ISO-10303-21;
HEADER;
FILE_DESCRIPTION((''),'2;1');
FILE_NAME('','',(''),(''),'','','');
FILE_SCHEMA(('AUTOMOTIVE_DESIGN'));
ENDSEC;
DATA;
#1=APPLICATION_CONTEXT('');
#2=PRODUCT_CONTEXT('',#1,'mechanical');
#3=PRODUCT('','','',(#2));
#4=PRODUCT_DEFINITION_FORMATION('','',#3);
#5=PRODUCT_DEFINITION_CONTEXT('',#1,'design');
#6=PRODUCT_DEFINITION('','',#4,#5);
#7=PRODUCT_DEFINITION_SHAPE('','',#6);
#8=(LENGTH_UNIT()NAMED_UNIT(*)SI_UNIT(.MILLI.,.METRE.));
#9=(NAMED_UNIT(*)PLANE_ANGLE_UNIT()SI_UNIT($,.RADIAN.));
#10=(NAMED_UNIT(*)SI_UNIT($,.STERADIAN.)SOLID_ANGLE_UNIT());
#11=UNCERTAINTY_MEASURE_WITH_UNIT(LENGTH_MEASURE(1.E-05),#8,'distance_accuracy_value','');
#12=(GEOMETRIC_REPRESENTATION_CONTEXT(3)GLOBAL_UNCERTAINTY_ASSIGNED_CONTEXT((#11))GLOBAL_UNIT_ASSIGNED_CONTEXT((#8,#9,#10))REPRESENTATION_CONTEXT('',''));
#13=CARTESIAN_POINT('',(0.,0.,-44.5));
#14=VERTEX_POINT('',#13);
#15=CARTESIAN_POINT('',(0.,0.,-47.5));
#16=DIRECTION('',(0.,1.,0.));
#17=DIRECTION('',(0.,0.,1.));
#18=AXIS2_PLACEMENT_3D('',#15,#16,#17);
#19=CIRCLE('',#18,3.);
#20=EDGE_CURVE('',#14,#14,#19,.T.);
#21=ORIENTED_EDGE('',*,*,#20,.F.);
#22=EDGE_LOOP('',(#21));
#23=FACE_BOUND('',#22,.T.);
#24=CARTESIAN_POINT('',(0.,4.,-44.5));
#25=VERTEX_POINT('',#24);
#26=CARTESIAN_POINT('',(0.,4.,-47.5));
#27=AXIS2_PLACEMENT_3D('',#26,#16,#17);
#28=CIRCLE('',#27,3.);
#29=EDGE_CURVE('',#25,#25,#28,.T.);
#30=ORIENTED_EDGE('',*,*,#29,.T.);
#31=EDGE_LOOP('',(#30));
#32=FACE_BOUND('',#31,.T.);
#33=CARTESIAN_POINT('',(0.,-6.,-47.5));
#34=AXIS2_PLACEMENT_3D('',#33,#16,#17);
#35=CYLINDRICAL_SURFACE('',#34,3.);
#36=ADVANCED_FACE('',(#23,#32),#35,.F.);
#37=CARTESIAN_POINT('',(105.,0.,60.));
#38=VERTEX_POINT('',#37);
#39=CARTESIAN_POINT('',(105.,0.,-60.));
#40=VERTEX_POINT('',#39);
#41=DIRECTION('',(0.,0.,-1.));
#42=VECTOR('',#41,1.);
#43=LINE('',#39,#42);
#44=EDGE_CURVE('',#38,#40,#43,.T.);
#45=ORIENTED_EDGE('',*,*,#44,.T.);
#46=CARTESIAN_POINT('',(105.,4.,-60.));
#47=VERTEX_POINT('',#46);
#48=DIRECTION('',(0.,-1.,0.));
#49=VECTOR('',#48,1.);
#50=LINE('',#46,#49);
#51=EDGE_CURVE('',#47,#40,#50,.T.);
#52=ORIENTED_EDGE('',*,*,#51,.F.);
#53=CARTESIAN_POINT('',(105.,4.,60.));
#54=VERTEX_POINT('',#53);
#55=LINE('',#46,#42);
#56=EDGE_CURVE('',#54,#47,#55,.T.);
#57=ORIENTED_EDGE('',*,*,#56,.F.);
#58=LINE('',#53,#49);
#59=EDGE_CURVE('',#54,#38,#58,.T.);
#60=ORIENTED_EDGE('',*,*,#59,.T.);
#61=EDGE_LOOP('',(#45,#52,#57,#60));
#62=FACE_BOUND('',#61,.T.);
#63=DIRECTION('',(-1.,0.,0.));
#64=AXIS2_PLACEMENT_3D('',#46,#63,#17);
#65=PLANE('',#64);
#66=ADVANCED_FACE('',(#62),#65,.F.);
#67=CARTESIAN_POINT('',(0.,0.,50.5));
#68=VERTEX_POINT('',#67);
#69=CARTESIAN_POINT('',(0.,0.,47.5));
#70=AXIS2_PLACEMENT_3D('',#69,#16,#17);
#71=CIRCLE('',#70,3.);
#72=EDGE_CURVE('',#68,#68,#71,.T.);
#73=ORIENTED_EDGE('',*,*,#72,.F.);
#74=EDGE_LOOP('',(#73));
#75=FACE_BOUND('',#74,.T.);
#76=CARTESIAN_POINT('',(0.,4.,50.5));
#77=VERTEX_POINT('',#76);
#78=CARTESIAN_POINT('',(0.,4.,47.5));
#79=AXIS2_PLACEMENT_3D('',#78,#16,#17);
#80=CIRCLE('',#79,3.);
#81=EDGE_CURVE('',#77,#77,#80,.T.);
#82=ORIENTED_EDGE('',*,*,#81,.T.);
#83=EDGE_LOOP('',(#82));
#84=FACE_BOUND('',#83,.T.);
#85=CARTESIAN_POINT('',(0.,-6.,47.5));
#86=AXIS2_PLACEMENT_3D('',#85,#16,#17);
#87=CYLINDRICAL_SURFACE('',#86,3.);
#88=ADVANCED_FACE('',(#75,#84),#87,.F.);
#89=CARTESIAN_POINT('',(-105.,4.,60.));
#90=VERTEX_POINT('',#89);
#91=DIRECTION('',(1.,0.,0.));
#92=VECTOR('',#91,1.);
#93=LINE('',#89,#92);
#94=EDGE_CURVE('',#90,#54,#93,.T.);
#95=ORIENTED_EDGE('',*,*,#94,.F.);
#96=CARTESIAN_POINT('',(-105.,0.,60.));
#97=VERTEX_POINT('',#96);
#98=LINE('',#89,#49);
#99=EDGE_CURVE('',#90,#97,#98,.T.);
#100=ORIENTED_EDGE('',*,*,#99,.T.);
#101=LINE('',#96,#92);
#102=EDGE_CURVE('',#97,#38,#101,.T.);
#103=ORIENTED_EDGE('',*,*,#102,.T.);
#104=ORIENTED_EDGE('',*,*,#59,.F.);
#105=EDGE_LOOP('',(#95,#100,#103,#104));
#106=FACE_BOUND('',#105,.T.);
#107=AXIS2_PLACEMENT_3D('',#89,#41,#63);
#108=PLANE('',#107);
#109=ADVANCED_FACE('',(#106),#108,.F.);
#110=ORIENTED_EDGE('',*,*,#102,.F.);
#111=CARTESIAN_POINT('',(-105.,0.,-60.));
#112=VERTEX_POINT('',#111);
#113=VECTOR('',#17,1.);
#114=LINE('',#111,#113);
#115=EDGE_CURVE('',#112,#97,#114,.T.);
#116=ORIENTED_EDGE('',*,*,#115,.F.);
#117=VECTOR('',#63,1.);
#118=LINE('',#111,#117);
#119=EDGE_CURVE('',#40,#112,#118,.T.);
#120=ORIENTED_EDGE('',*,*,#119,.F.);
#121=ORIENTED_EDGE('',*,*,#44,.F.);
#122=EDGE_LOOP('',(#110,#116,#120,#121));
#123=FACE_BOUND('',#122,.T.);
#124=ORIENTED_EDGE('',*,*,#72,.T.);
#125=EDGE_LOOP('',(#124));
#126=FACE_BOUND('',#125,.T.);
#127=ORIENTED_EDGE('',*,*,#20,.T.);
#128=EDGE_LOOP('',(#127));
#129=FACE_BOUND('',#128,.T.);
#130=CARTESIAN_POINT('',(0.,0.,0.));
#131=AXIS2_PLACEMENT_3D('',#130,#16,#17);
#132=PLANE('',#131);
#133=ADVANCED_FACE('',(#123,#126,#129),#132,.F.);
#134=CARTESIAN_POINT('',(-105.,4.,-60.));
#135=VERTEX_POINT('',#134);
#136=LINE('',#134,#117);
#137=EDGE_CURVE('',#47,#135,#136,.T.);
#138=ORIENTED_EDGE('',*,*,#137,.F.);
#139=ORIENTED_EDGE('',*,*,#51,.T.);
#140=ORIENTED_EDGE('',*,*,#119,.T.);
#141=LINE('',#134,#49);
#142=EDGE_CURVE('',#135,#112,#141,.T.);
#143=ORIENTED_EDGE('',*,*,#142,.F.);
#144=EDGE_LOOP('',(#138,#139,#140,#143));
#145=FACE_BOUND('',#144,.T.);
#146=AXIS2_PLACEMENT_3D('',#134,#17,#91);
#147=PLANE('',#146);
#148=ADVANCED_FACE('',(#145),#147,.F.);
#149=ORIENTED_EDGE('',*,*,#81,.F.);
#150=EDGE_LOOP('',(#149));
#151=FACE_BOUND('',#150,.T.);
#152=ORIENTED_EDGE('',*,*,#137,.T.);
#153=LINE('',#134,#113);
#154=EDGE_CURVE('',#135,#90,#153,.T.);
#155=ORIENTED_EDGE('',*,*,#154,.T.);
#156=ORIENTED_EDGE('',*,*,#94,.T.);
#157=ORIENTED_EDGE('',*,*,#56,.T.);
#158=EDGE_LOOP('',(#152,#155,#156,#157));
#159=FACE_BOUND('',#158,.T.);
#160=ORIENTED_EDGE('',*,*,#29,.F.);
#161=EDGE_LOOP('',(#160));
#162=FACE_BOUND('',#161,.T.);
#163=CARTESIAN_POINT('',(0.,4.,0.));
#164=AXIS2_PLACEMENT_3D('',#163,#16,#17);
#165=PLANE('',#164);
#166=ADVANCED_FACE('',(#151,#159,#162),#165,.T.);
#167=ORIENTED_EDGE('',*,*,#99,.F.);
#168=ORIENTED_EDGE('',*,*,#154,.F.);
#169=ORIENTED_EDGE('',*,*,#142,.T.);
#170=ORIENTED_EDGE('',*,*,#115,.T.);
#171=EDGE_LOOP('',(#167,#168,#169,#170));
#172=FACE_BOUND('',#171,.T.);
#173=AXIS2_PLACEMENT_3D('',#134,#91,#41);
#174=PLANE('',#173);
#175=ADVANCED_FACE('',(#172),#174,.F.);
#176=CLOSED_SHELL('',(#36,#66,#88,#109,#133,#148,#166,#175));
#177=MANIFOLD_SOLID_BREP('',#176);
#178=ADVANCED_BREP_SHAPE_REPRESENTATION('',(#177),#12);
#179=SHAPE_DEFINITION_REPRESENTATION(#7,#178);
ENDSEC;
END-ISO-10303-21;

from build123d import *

# Parameters (mm, degrees)
SKETCH1_W           = 210
SKETCH1_H           = 120
BOSS_EXTRUDE3_DEPTH = 4
SKETCH5_R           = 3
CUT_EXTRUDE1_DEPTH  = 10


with BuildPart() as part:
    # Sketch1 → Boss-Extrude3 (new body)
    with BuildSketch(Plane(origin=(0, 0, 0), x_dir=(1, 0, 0), z_dir=(0, 1, 0))):
        Rectangle(SKETCH1_W, SKETCH1_H)
    extrude(amount=BOSS_EXTRUDE3_DEPTH)

    # Sketch5 → Cut-Extrude1 (cut)
    with BuildSketch(Plane(origin=(0, 4, 0), x_dir=(1, 0, 0), z_dir=(0, 1, 0))):
        with Locations(Location((0, 47.5, 0), (0, 0, 270))):
            Circle(SKETCH5_R)
        with Locations(Location((0, -47.5, 0), (0, 0, 270))):
            Circle(SKETCH5_R)
    extrude(amount=-CUT_EXTRUDE1_DEPTH, mode=Mode.SUBTRACT)


solid = part.part
